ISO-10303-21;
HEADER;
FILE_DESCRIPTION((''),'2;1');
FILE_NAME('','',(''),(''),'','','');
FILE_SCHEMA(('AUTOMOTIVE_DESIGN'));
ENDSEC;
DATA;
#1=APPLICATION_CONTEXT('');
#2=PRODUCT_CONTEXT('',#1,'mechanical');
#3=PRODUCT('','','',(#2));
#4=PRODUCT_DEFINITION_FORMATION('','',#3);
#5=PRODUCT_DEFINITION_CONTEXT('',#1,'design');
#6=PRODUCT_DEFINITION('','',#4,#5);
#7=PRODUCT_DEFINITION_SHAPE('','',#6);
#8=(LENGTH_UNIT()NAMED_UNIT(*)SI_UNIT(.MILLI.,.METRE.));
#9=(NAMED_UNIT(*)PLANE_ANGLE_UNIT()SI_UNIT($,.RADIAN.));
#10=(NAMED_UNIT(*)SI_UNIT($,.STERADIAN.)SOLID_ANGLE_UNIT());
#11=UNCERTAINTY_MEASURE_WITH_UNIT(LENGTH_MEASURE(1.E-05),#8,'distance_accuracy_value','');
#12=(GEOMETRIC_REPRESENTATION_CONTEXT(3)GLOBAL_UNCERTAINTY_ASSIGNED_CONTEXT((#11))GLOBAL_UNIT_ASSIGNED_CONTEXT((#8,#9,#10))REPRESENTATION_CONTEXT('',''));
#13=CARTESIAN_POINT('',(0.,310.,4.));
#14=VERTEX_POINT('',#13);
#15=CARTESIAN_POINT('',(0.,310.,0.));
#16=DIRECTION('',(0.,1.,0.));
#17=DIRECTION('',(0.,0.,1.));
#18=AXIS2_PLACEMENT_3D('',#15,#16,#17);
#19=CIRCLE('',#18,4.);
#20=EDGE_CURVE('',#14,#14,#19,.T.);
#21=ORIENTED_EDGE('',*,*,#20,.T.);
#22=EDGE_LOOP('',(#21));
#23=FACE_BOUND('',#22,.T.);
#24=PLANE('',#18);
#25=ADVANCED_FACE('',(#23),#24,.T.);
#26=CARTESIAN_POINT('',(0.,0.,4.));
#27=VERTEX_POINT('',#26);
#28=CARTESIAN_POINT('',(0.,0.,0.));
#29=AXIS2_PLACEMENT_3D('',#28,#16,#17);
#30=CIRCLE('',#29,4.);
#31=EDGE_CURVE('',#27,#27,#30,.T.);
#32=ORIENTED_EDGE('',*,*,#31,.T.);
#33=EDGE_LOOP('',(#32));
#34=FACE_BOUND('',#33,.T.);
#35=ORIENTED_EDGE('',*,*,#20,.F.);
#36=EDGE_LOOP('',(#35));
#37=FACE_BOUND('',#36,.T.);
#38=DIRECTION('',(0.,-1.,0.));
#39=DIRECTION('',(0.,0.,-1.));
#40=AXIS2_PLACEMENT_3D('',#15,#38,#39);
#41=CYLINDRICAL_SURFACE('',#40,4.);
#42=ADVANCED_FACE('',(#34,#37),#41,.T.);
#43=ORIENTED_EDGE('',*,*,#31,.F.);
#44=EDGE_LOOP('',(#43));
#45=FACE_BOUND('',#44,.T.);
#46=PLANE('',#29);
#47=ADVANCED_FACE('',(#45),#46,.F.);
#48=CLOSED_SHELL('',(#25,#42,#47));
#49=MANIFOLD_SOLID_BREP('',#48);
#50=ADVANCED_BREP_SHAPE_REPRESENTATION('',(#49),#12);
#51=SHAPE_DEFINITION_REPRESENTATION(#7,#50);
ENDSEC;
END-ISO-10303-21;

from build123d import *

# Parameters (mm, degrees)
SKETCH1_R           = 4
BOSS_EXTRUDE1_DEPTH = 310


with BuildPart() as part:
    # Sketch1 → Boss-Extrude1 (new body)
    with BuildSketch(Plane(origin=(0, 0, 0), x_dir=(1, 0, 0), z_dir=(0, 1, 0))):
        Circle(SKETCH1_R)
    extrude(amount=BOSS_EXTRUDE1_DEPTH)


solid = part.part
